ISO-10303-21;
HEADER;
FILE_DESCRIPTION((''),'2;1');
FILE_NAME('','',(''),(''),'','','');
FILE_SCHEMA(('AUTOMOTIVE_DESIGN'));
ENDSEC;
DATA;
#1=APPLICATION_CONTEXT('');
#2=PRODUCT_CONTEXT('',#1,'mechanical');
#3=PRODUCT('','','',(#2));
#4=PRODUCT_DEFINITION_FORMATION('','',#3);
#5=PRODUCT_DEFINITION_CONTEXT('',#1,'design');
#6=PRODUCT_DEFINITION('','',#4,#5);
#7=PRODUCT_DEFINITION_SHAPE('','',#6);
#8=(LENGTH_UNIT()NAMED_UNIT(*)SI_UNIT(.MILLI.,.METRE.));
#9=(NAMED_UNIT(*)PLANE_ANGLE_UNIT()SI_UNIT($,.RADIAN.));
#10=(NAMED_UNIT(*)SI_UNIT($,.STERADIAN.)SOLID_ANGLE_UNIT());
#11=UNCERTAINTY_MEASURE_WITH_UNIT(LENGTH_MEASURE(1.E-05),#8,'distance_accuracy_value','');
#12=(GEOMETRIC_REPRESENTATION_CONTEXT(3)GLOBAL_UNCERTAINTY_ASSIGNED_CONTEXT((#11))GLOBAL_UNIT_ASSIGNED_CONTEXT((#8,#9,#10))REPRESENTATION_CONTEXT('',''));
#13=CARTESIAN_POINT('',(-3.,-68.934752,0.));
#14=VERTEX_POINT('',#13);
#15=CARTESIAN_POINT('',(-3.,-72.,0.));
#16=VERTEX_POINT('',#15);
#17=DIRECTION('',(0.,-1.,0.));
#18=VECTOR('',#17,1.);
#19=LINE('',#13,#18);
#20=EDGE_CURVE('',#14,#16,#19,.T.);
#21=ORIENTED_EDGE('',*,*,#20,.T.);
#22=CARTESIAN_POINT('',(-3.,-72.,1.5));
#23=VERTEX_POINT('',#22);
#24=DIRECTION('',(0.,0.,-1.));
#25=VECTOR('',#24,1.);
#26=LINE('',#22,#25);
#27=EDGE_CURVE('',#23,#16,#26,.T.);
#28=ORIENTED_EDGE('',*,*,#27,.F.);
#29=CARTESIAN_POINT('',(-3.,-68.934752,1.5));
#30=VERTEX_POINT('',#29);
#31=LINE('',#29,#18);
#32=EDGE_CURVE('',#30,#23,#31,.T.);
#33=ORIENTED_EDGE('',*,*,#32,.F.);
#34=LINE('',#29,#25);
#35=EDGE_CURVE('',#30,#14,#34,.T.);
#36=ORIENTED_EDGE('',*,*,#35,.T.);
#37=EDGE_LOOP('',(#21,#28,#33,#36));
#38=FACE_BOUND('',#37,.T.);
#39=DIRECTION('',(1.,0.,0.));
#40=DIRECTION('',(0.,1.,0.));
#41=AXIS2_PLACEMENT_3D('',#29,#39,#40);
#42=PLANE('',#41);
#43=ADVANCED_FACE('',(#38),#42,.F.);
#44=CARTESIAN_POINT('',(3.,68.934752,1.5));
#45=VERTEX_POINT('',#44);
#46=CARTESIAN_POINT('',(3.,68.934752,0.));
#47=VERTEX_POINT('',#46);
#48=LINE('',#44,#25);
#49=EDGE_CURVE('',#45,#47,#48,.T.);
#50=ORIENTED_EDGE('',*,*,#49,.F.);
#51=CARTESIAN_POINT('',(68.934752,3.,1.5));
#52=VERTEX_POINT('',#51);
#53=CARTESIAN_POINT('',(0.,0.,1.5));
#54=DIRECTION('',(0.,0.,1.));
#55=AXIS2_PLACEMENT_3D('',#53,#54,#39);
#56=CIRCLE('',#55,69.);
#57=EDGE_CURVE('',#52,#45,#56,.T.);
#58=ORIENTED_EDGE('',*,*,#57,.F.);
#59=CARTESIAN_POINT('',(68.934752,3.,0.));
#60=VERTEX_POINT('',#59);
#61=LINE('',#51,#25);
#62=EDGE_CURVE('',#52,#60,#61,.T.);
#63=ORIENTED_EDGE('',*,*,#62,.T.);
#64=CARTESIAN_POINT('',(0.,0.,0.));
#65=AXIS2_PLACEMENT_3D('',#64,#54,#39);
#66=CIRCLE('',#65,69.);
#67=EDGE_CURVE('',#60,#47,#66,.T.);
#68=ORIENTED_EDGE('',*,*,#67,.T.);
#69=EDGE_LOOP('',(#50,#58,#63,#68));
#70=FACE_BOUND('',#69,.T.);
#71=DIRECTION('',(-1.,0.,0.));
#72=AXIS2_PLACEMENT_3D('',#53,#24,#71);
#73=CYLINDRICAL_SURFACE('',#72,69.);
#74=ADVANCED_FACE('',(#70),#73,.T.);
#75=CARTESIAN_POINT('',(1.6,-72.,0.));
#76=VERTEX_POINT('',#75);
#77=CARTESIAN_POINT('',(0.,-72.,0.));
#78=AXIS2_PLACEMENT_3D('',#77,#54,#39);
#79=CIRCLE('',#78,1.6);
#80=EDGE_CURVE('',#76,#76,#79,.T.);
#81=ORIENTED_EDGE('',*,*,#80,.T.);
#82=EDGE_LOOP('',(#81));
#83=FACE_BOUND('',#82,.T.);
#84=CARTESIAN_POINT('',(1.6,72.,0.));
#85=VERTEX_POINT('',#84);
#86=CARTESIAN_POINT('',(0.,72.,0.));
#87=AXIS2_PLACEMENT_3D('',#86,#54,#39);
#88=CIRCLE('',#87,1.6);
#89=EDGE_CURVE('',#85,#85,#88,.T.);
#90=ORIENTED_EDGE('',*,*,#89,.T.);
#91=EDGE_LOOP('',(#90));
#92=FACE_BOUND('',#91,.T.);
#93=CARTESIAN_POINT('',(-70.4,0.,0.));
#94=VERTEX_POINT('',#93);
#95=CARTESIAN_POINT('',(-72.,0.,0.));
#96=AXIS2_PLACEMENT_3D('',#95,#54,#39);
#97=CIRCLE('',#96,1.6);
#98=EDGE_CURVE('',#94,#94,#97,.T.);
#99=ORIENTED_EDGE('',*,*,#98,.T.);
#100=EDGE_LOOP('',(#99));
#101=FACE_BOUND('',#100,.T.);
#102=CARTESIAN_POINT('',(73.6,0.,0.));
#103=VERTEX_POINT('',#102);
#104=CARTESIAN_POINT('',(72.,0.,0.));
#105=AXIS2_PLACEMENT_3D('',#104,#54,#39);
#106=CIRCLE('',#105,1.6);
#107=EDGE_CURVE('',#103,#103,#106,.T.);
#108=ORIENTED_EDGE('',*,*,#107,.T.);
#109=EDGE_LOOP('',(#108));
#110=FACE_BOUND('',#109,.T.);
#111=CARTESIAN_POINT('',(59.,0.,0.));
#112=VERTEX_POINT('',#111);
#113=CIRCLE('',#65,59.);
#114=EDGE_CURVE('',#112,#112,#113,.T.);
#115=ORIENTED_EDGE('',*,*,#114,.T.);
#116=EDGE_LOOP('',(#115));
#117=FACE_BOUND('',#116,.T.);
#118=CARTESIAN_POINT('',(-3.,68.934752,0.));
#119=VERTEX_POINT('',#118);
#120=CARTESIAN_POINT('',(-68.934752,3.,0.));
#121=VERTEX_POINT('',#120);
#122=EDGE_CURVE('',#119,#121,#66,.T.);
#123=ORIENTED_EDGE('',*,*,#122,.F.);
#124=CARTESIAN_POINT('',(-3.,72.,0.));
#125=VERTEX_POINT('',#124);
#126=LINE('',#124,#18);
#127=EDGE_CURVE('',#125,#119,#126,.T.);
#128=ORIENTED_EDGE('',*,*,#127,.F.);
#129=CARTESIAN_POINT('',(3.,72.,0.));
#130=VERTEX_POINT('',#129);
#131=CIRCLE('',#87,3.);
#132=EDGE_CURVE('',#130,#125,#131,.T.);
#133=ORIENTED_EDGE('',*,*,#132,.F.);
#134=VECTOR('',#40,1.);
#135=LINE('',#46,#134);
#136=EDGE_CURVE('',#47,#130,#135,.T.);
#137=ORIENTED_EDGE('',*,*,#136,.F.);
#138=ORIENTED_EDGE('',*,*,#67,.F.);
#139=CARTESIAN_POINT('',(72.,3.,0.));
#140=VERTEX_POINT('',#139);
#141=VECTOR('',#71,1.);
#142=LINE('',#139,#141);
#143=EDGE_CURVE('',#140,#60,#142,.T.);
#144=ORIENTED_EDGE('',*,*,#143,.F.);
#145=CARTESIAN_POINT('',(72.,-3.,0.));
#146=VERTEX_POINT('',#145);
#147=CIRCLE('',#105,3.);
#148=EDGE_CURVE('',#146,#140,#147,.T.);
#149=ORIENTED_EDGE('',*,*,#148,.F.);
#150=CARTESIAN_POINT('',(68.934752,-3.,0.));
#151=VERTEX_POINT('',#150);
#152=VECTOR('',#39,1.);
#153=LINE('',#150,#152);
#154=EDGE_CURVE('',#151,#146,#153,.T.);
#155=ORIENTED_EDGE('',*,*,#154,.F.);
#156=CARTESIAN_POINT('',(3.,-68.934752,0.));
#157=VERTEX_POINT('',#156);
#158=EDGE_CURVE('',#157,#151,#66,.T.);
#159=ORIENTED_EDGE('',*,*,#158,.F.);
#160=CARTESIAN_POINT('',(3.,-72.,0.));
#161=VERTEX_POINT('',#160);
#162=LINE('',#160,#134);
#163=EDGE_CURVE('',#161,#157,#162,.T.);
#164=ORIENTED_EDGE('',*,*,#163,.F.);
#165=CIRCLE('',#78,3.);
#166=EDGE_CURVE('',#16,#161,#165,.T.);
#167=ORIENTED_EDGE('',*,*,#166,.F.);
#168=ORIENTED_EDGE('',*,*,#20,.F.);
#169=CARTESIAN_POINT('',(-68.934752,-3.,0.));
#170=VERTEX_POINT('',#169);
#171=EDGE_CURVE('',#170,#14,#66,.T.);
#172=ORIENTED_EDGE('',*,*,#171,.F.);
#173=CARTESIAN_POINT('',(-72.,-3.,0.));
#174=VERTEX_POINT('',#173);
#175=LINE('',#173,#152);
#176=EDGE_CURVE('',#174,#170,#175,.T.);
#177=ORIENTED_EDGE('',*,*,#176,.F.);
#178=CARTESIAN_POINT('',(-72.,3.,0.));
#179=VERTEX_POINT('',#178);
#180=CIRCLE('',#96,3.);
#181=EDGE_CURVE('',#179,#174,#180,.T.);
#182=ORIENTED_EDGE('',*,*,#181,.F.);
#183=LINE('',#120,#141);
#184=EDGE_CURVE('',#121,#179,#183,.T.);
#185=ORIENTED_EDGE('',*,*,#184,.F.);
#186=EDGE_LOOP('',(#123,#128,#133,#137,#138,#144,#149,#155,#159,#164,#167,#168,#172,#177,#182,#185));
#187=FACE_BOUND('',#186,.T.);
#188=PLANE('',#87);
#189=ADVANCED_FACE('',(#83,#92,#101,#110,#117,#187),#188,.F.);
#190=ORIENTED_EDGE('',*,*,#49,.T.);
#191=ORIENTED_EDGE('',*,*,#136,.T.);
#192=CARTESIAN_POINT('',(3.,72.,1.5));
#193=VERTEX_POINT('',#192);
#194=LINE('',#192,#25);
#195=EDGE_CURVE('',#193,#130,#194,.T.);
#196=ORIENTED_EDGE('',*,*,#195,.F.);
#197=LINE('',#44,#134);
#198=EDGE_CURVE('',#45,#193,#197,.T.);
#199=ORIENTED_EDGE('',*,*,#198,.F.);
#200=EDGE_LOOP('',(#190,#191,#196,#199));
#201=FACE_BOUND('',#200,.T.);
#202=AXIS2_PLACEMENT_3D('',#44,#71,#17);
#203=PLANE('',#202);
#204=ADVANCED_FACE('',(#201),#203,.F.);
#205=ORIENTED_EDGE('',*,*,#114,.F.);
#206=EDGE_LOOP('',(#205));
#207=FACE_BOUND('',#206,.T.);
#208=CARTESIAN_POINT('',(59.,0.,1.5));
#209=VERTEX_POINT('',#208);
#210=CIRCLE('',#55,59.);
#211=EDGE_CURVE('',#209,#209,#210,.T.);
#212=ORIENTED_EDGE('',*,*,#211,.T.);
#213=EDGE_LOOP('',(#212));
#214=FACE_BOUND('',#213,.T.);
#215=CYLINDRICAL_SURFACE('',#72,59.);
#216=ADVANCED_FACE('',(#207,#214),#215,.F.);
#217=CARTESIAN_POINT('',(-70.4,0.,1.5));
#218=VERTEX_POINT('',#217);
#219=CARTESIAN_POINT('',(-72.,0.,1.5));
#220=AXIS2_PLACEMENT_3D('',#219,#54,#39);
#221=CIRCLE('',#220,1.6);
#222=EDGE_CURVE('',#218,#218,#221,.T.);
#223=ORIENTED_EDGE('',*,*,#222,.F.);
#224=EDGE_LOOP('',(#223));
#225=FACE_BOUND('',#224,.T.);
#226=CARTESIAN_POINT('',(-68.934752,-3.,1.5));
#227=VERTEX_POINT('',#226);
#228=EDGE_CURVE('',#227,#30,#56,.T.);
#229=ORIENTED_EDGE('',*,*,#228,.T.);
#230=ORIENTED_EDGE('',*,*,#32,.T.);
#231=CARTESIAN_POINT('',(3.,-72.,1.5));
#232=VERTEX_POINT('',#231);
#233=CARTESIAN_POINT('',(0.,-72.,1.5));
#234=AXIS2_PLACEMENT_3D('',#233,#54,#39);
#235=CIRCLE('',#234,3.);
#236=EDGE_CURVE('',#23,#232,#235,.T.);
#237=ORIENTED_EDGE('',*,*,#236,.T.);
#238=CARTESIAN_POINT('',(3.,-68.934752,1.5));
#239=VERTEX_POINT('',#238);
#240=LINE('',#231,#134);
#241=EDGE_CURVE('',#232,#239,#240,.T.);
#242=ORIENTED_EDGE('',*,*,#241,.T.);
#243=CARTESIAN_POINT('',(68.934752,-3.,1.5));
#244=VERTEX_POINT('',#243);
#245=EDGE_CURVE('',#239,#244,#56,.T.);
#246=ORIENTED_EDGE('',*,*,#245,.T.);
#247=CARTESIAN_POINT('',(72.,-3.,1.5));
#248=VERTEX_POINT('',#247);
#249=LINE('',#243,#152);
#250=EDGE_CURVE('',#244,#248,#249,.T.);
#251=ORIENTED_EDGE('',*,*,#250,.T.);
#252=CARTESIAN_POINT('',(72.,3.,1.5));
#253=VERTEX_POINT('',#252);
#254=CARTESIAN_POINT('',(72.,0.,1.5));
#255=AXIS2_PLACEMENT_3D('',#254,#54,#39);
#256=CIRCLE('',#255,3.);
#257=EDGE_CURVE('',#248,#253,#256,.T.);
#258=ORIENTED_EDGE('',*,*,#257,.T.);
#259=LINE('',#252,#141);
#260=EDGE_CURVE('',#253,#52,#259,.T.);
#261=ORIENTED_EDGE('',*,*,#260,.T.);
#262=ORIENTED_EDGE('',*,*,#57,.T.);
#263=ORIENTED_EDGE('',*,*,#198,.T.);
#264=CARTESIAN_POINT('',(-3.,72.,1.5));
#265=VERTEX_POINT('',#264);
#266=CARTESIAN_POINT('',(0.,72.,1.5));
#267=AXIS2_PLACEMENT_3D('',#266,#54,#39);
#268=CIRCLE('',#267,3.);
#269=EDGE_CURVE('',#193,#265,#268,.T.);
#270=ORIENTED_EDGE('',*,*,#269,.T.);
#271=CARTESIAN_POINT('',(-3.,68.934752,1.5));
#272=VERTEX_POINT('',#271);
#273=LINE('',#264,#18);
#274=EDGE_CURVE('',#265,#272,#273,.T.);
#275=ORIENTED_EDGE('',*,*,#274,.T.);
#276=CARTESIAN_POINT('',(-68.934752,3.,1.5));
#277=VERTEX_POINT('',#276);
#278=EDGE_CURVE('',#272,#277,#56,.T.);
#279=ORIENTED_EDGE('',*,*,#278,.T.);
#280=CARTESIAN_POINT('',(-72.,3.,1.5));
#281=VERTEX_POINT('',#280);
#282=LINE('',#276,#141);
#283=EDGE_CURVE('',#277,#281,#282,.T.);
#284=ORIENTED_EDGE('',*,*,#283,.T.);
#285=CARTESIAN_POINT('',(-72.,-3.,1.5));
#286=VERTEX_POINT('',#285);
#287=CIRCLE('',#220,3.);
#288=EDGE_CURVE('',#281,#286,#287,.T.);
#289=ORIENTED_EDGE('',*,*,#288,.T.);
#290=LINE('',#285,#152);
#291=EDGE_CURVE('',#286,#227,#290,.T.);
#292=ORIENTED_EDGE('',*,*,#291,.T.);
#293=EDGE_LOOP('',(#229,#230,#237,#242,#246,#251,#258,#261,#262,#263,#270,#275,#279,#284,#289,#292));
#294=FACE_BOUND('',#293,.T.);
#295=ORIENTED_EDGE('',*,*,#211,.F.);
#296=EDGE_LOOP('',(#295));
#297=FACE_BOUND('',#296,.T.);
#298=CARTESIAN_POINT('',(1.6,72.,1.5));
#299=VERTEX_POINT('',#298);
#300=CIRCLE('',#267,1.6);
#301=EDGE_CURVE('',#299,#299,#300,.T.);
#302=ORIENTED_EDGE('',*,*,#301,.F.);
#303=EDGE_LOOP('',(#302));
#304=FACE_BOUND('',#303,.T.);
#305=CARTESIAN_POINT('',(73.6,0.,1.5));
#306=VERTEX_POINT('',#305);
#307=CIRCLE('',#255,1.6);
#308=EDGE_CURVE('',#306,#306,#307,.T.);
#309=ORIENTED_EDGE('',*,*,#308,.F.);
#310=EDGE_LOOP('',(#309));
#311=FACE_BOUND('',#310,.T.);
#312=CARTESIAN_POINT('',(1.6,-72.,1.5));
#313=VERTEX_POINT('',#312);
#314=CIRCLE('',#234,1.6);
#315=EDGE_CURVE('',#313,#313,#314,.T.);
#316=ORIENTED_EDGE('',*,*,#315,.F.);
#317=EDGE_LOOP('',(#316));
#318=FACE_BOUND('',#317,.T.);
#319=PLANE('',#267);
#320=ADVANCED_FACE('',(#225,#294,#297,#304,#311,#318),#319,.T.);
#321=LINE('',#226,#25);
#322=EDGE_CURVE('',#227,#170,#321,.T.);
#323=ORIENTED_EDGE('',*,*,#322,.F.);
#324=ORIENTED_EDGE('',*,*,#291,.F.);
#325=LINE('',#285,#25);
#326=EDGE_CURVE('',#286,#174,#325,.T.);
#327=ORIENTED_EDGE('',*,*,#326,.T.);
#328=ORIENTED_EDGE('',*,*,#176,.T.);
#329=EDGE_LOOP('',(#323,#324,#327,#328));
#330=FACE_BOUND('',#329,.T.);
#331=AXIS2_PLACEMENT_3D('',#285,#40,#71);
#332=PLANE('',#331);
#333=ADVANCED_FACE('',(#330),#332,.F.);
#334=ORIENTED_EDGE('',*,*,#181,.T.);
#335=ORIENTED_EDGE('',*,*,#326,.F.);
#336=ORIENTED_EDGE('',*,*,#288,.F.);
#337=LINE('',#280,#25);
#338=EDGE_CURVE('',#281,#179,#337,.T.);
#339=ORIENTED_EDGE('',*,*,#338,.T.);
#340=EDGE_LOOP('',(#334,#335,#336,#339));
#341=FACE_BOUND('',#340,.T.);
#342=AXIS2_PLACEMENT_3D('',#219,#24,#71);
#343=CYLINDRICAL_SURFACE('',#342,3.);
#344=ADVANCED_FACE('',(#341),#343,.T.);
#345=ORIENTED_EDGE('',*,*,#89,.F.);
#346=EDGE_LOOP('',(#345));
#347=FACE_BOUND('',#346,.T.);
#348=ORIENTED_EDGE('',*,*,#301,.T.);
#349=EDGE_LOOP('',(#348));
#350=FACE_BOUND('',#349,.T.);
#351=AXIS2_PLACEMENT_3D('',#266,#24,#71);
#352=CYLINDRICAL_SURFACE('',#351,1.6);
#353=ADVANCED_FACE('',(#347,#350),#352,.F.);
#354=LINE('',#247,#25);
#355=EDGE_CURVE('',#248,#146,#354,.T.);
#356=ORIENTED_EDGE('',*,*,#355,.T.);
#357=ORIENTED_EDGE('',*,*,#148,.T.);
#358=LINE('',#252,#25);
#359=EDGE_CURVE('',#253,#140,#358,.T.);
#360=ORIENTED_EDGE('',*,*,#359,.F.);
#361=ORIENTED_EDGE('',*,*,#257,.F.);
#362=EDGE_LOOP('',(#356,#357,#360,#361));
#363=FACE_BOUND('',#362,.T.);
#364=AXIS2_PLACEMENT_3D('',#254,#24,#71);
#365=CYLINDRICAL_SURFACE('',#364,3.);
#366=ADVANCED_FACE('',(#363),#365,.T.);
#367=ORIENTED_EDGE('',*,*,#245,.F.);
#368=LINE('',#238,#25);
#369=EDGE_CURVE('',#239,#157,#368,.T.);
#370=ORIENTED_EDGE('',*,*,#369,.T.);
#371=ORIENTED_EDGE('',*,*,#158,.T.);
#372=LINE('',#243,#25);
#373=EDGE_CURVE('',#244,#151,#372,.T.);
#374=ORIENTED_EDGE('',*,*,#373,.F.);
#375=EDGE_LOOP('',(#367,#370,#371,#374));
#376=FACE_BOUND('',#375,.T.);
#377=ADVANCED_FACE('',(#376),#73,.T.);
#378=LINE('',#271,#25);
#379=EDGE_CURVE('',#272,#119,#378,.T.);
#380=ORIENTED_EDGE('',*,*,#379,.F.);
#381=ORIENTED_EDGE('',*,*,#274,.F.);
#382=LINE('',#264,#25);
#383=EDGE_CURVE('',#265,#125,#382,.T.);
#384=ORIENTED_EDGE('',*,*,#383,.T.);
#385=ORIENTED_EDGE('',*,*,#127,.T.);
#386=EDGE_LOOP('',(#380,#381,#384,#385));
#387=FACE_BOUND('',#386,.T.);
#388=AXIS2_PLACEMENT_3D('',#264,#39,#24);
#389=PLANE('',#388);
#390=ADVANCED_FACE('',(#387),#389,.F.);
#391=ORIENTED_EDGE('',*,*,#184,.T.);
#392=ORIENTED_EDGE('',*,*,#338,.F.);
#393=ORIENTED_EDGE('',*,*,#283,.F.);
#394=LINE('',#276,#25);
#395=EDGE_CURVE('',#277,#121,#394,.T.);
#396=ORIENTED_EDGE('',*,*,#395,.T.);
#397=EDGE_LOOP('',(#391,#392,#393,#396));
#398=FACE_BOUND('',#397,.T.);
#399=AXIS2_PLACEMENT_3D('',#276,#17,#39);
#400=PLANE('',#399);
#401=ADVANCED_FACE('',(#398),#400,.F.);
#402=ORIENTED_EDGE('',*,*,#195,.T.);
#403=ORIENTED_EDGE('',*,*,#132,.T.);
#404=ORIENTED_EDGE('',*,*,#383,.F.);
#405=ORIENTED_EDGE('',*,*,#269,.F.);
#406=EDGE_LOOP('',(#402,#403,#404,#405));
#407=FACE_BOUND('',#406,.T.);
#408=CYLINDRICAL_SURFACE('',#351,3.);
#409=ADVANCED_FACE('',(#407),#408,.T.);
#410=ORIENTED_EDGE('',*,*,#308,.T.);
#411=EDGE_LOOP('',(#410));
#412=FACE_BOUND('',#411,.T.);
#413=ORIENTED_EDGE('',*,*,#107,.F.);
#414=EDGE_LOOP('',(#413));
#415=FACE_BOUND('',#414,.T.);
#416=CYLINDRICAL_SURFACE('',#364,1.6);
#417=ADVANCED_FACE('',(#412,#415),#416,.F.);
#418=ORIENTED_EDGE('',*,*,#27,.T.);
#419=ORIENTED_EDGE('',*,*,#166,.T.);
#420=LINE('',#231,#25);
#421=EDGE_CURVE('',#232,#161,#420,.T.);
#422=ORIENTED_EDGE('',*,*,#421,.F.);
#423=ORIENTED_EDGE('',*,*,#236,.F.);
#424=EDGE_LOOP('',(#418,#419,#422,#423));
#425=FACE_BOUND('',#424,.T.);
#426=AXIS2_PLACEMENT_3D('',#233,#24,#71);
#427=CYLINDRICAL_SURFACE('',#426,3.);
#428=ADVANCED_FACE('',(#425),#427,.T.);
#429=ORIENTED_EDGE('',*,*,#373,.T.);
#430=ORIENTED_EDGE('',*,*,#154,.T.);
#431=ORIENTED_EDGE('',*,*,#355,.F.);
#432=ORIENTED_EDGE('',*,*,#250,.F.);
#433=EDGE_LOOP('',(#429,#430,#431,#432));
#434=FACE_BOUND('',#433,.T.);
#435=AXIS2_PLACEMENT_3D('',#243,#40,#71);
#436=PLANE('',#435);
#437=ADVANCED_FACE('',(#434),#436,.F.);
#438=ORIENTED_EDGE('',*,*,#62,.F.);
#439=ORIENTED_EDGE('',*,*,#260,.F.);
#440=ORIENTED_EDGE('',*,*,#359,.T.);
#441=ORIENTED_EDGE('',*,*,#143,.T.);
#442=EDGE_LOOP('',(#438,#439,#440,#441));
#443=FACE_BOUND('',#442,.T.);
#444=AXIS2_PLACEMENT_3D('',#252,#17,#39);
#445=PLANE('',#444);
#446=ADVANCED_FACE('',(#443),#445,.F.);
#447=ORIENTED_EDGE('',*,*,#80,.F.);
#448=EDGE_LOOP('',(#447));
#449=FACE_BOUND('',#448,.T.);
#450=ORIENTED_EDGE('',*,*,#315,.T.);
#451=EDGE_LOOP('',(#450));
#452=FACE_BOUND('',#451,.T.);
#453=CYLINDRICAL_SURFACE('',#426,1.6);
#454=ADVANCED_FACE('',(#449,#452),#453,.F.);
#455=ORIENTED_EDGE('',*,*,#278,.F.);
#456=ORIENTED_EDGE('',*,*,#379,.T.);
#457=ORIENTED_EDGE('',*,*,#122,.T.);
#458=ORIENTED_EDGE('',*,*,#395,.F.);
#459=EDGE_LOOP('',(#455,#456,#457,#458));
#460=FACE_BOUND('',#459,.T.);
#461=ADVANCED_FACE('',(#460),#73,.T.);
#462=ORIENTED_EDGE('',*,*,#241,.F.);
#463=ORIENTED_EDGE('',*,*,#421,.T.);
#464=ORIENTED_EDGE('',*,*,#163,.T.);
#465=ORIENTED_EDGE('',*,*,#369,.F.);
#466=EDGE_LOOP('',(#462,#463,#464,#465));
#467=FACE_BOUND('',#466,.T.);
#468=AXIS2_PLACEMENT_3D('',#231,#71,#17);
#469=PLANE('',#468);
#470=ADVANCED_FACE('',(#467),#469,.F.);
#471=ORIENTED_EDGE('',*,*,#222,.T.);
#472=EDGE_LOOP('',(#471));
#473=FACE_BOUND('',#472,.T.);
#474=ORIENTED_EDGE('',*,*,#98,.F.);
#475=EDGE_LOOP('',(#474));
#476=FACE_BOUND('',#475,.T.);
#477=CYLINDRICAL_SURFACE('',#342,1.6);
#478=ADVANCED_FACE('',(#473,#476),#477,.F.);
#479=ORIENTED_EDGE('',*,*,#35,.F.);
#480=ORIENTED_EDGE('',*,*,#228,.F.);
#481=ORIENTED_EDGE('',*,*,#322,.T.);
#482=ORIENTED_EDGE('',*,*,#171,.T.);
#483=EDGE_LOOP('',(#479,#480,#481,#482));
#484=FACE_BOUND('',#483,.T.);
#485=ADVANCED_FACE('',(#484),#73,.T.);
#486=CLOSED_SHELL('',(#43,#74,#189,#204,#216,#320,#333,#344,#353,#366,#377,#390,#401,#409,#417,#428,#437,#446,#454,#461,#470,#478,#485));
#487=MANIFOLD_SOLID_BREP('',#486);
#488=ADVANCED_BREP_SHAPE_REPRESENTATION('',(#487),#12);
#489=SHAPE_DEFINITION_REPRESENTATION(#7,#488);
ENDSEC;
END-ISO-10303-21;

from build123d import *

# Parameters (mm, degrees)
SKETCH1_R           = 59
SKETCH1_R_2         = 1.6
BOSS_EXTRUDE1_DEPTH = 1.5


with BuildPart() as part:
    # Sketch1 → Boss-Extrude1 (new body)
    with BuildSketch(Plane.XY):
        with BuildLine():
            Line((68.934751758, -3), (72, -3))
            ThreePointArc((72, -3), (75, 0), (72, 3))
            Line((72, 3), (68.934751758, 3))
            ThreePointArc((68.934751758, 3), (48.790367902, 48.790367902), (3, 68.934751758))
            Line((3, 68.934751758), (3, 72))
            ThreePointArc((3, 72), (0, 75), (-3, 72))
            Line((-3, 72), (-3, 68.934751758))
            ThreePointArc((-3, 68.934751758), (-48.790367902, 48.790367902), (-68.934751758, 3))
            Line((-68.934751758, 3), (-72, 3))
            ThreePointArc((-72, 3), (-75, 0), (-72, -3))
            Line((-72, -3), (-68.934751758, -3))
            ThreePointArc((-68.934751758, -3), (-48.790367902, -48.790367902), (-3, -68.934751758))
            Line((-3, -68.934751758), (-3, -72))
            ThreePointArc((-3, -72), (0, -75), (3, -72))
            Line((3, -72), (3, -68.934751758))
            ThreePointArc((3, -68.934751758), (48.790367902, -48.790367902), (68.934751758, -3))
        make_face()
        Circle(SKETCH1_R, mode=Mode.SUBTRACT)
        with Locations((0, 72)):
            Circle(SKETCH1_R_2, mode=Mode.SUBTRACT)
        with Locations((72, 0)):
            Circle(SKETCH1_R_2, mode=Mode.SUBTRACT)
        with Locations((0, -72)):
            Circle(SKETCH1_R_2, mode=Mode.SUBTRACT)
        with Locations((-72, 0)):
            Circle(SKETCH1_R_2, mode=Mode.SUBTRACT)
    extrude(amount=BOSS_EXTRUDE1_DEPTH)


solid = part.part
